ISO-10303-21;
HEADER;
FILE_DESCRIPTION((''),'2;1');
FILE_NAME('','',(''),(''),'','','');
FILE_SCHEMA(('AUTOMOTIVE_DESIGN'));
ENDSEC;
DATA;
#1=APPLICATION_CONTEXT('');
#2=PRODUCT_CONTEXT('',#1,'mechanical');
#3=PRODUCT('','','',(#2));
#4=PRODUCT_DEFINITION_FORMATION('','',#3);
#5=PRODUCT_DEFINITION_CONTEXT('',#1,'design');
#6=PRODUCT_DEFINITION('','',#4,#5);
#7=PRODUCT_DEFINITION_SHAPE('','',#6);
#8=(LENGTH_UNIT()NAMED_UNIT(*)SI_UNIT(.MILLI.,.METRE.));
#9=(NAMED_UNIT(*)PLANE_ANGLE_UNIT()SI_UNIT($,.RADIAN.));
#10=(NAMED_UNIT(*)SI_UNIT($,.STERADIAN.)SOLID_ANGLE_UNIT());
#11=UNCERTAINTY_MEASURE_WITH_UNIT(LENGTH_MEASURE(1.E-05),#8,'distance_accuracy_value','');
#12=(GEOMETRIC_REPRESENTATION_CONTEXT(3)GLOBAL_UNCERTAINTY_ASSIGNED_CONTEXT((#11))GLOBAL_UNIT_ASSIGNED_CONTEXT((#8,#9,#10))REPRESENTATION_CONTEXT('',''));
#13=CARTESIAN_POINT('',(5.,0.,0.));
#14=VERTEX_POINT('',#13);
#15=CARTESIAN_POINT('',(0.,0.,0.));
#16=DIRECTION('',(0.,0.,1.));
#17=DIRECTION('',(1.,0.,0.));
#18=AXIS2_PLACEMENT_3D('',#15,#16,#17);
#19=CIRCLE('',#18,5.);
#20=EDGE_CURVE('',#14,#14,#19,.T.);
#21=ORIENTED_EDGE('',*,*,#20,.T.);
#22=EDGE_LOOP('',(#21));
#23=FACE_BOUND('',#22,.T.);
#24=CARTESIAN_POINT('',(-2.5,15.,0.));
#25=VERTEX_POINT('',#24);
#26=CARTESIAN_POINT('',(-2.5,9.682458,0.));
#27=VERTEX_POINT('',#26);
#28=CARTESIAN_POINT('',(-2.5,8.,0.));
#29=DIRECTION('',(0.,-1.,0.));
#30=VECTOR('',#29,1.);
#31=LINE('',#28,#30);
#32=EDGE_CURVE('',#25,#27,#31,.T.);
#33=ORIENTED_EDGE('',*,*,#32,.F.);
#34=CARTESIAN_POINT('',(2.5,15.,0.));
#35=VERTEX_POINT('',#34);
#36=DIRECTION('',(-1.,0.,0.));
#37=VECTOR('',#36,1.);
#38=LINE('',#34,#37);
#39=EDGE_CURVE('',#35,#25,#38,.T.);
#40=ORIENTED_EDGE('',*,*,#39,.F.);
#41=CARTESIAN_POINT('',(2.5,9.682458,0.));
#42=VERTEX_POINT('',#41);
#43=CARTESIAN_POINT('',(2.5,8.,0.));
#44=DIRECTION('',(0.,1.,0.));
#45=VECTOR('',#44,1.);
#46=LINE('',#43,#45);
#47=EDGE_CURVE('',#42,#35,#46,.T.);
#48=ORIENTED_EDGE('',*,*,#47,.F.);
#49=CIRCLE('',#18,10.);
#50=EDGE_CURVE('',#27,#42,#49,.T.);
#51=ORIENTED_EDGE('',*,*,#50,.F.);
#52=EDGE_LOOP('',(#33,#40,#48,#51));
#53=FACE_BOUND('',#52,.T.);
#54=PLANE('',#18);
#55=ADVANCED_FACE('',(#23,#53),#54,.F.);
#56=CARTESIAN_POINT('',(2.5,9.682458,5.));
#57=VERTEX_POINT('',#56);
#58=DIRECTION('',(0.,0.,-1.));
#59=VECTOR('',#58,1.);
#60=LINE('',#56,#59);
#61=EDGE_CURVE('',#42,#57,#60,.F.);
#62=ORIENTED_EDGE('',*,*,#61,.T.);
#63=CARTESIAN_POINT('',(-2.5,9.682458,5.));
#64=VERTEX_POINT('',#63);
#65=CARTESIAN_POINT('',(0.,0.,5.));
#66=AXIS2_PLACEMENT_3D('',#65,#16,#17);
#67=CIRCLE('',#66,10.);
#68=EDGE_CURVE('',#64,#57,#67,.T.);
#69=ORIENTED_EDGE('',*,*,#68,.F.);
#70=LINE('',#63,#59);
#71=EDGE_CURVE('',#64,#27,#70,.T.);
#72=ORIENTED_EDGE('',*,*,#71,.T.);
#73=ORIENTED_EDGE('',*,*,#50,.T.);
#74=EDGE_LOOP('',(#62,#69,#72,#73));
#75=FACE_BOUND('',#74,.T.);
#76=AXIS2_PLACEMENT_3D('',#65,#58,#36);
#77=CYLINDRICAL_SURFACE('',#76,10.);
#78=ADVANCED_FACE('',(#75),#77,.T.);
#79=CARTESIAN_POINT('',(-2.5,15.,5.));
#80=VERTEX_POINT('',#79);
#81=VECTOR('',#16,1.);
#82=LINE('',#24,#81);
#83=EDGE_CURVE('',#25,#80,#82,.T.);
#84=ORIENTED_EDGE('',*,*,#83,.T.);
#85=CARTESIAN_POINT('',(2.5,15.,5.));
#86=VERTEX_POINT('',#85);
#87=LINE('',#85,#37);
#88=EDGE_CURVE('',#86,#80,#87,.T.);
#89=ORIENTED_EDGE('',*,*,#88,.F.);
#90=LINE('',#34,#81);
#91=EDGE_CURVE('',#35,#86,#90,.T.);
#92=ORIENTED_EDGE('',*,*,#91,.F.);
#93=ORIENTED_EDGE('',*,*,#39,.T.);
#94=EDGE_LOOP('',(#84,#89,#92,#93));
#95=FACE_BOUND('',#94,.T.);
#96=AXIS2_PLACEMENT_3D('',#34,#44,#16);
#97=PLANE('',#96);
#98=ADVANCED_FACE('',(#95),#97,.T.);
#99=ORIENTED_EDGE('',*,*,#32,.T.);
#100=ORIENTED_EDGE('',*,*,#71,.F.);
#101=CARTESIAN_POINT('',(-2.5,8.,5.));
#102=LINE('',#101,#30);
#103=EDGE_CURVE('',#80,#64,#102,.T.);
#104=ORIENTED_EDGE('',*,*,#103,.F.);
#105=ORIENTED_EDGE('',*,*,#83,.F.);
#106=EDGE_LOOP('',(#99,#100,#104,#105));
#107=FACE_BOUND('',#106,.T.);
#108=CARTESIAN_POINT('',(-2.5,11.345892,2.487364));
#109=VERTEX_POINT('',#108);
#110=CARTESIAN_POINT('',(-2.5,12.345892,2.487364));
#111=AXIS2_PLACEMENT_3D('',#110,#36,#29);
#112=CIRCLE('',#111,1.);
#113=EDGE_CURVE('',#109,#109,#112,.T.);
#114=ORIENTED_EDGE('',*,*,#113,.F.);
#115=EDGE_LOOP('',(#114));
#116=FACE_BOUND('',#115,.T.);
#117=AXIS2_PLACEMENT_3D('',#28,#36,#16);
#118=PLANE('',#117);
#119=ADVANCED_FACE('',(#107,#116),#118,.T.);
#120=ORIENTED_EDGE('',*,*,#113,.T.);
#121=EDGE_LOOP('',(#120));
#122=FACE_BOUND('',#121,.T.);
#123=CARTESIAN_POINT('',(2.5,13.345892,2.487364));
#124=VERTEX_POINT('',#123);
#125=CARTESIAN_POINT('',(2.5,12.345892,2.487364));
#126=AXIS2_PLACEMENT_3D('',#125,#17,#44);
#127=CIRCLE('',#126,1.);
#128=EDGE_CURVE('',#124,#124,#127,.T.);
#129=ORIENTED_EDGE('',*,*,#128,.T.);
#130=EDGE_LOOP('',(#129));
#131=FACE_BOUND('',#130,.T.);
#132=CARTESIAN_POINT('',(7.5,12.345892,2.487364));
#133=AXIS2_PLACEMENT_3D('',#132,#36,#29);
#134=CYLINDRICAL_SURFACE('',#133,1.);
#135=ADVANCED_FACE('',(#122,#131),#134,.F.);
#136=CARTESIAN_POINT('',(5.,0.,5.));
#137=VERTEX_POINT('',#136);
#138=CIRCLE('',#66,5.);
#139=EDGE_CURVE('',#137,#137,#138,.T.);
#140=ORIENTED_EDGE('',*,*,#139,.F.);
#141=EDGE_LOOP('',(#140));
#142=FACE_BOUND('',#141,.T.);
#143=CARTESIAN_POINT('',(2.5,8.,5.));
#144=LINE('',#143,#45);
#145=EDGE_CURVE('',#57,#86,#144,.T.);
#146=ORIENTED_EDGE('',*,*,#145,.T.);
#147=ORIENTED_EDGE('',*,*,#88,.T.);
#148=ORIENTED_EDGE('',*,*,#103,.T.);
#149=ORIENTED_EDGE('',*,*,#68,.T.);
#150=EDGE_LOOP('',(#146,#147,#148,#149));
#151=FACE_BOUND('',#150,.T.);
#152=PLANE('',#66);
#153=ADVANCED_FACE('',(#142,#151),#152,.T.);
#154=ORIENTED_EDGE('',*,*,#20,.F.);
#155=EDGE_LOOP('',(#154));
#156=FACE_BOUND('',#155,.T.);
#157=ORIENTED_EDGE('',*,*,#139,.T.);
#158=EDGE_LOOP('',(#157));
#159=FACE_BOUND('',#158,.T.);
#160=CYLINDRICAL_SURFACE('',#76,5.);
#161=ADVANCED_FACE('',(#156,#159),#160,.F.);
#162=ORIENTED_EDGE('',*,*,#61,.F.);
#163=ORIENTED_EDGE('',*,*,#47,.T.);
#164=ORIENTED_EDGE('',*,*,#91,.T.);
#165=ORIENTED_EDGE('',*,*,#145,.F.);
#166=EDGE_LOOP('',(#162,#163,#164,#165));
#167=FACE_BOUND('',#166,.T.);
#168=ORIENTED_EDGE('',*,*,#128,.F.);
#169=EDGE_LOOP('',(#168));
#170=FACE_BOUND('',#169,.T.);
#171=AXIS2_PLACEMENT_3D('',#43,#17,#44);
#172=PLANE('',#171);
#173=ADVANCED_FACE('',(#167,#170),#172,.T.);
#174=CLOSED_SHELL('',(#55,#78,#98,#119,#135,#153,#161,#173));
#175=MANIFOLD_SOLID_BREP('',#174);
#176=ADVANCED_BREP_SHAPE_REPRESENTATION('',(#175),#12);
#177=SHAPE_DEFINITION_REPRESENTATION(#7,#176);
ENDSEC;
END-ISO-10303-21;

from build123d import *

# Parameters (mm, degrees)
ESQUISSE1_R             = 10
ESQUISSE1_R_2           = 5
BOSS_EXTRU_1_DEPTH      = 5
ESQUISSE2_W             = 5
ESQUISSE2_H             = 7
BOSS_EXTRU_2_DEPTH      = 5
ESQUISSE3_R             = 1
ENL_V_MAT_EXTRU_1_DEPTH = 10


with BuildPart() as part:
    # Esquisse1 → Boss.-Extru.1 (new body)
    with BuildSketch(Plane.XY):
        Circle(ESQUISSE1_R)
        Circle(ESQUISSE1_R_2, mode=Mode.SUBTRACT)
    extrude(amount=BOSS_EXTRU_1_DEPTH)

    # Esquisse2 → Boss.-Extru.2 (add)
    with BuildSketch(Plane.XY.offset(5)):
        with Locations((0, 11.5)):
            Rectangle(ESQUISSE2_W, ESQUISSE2_H)
    extrude(amount=-BOSS_EXTRU_2_DEPTH)

    # Esquisse3 → Enlèv. mat.-Extru.1 (cut)
    with BuildSketch(Plane(origin=(-2.5, 0, 0), x_dir=(0, -1, 0), z_dir=(-1, 0, 0))):
        with Locations((-12.345891544, 2.487364075)):
            Circle(ESQUISSE3_R)
    extrude(amount=-ENL_V_MAT_EXTRU_1_DEPTH, mode=Mode.SUBTRACT)


solid = part.part
